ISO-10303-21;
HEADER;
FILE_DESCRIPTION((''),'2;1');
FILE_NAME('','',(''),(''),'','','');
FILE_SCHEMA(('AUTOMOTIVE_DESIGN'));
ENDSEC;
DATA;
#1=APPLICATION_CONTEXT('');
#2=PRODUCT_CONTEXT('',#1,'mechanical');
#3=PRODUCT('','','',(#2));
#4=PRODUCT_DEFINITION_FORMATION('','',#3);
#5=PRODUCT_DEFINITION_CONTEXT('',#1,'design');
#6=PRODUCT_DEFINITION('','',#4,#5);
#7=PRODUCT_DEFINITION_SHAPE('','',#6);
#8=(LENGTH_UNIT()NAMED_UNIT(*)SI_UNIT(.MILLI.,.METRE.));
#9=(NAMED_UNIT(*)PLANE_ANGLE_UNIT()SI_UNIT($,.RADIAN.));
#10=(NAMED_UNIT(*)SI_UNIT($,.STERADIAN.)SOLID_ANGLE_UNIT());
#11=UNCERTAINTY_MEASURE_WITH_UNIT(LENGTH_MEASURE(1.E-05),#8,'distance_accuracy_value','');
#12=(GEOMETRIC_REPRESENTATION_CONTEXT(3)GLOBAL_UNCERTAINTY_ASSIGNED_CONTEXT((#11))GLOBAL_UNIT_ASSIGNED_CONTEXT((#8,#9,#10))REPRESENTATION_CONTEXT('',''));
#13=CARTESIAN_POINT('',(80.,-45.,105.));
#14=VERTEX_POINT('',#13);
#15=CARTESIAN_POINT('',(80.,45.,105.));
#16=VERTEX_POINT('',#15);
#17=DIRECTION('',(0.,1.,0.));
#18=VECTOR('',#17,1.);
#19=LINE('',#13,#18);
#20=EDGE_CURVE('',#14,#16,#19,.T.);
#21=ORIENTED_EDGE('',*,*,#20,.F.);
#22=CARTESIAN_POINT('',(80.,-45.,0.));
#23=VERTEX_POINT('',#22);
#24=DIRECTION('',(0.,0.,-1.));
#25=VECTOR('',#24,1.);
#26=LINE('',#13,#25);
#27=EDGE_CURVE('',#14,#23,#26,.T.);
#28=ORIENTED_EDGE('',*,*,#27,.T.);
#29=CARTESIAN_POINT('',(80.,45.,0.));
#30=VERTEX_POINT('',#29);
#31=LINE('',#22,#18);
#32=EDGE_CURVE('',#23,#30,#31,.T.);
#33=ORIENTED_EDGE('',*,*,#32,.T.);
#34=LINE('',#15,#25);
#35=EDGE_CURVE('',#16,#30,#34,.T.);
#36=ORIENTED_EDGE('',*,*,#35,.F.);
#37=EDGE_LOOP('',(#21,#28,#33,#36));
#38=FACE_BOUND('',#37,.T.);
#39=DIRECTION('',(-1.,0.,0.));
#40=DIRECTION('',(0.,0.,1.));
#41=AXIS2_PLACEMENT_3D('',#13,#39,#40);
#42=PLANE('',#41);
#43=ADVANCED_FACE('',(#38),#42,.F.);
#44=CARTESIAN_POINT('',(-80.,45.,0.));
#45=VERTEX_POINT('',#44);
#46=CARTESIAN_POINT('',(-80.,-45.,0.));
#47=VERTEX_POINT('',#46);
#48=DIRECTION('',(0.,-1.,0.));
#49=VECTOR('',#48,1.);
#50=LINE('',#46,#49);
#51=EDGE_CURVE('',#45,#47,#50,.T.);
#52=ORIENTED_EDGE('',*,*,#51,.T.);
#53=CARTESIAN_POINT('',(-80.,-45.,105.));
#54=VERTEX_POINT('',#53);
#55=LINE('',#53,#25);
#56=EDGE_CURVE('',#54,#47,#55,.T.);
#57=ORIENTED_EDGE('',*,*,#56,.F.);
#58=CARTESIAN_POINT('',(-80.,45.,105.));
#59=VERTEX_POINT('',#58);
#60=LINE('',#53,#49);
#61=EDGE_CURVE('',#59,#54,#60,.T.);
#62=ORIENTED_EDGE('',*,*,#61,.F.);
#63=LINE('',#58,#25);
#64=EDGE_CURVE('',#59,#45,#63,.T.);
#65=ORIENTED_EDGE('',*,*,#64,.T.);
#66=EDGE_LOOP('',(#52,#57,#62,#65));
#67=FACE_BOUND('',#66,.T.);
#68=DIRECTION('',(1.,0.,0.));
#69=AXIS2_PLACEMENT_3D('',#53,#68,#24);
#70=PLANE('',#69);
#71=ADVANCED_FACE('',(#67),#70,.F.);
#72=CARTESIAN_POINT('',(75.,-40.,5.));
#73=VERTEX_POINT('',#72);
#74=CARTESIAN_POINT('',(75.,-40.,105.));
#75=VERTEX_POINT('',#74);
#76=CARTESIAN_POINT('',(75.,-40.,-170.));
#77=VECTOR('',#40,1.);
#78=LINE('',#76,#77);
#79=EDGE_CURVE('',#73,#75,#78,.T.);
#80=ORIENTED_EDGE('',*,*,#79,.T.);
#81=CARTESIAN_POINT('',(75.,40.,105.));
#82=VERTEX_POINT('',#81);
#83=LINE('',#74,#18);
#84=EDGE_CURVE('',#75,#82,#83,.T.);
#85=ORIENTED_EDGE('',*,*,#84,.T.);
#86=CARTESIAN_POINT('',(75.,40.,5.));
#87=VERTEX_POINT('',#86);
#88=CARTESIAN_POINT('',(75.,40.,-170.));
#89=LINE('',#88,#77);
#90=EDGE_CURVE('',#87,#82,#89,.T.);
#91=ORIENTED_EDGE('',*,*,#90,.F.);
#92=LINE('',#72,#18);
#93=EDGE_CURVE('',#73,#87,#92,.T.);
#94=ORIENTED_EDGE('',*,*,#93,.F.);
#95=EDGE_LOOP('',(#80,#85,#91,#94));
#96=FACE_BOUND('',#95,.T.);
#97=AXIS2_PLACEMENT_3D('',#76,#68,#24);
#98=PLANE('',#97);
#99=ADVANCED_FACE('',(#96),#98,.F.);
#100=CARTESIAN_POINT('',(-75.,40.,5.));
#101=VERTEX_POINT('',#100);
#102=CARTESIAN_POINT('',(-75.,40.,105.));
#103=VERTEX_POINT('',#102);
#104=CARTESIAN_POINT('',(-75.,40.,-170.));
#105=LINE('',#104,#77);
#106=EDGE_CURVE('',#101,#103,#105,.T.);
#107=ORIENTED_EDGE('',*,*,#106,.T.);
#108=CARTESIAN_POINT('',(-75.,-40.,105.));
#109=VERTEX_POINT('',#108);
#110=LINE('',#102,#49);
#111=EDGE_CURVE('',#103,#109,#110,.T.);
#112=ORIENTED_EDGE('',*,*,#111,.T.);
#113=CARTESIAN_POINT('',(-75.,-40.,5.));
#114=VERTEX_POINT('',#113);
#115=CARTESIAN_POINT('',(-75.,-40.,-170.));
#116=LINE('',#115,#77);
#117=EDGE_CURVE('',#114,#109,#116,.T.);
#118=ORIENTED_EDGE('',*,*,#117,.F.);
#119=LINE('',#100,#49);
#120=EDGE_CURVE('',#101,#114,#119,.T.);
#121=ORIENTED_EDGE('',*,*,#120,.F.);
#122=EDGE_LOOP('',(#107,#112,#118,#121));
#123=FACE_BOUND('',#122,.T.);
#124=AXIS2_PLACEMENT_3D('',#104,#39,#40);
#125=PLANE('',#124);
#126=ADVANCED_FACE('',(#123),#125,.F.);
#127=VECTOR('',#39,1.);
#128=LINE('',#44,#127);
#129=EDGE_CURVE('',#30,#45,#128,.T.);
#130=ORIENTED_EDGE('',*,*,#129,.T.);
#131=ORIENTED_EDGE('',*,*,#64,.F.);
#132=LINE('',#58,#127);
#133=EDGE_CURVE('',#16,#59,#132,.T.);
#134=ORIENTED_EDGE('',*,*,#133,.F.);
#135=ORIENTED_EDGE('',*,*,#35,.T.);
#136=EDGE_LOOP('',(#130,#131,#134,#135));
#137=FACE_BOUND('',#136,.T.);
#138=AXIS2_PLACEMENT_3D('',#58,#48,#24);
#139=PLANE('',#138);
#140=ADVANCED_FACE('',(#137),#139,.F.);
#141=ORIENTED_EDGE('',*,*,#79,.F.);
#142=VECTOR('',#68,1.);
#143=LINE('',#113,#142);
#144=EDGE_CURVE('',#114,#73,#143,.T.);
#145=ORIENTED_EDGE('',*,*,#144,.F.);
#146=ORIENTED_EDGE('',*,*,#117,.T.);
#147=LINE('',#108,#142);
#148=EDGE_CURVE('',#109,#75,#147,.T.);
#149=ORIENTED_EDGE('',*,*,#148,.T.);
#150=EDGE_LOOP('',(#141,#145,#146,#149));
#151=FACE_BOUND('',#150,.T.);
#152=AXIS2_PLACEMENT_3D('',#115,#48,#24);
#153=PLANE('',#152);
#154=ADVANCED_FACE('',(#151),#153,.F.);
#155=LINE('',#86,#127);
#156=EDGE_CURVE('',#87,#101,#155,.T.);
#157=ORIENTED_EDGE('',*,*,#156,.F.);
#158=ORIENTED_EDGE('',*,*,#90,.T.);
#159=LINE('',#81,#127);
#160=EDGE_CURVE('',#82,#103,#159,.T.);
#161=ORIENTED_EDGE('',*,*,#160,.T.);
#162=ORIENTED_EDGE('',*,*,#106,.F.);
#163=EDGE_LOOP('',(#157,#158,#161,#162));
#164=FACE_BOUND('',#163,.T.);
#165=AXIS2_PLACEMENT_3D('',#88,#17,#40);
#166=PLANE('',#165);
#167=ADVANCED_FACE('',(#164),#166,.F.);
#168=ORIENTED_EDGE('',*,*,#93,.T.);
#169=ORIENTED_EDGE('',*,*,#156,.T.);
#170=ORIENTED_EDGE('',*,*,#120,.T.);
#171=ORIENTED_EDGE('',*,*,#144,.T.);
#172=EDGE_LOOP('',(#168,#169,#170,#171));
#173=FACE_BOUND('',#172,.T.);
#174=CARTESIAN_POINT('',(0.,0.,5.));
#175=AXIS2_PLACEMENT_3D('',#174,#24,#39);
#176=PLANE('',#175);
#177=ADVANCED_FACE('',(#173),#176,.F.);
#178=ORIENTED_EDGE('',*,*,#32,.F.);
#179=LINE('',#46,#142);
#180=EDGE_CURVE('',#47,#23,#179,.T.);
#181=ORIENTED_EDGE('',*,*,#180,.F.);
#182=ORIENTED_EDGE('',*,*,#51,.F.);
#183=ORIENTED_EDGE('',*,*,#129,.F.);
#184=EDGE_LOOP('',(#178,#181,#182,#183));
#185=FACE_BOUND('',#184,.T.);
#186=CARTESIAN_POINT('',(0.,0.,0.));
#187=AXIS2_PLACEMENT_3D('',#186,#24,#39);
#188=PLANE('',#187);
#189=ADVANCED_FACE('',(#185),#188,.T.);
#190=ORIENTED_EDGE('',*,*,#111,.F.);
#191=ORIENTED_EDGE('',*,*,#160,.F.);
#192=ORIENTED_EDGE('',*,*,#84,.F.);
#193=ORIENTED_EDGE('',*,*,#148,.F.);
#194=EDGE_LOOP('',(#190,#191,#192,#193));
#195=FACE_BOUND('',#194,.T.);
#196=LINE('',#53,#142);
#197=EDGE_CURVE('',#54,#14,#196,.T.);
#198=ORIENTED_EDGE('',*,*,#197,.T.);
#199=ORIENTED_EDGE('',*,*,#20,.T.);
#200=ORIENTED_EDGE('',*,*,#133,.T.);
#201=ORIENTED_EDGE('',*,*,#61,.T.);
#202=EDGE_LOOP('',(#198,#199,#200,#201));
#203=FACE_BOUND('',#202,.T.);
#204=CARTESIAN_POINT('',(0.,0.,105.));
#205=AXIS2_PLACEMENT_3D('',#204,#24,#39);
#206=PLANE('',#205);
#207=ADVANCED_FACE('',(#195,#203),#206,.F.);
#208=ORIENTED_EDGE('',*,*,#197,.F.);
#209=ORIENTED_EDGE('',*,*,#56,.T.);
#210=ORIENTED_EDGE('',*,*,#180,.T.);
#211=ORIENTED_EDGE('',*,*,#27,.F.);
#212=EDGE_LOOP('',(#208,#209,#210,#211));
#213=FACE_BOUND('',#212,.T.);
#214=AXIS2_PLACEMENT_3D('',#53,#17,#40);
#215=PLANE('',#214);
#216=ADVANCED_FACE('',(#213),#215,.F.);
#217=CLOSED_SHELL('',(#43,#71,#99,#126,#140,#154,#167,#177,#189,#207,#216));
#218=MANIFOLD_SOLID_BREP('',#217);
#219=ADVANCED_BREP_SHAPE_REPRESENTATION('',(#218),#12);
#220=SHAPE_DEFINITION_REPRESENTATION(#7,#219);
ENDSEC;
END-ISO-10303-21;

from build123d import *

# Parameters (mm, degrees)
SKETCH_1_W          = 160
SKETCH_1_H          = 90
EXTRUDE_1_DEPTH     = 105
SKETCH_2_W          = 150
SKETCH_2_H          = 80
CUT_EXTRUDE_1_DEPTH = 100


with BuildPart() as part:
    # 草圖1 → 填料-伸長1 (new body)
    with BuildSketch(Plane.XY):
        Rectangle(SKETCH_1_W, SKETCH_1_H)
    extrude(amount=EXTRUDE_1_DEPTH)

    # 草圖2 → 除料-伸長1 (cut)
    with BuildSketch(Plane.XY.offset(105)):
        Rectangle(SKETCH_2_W, SKETCH_2_H)
    extrude(amount=-CUT_EXTRUDE_1_DEPTH, mode=Mode.SUBTRACT)


solid = part.part
